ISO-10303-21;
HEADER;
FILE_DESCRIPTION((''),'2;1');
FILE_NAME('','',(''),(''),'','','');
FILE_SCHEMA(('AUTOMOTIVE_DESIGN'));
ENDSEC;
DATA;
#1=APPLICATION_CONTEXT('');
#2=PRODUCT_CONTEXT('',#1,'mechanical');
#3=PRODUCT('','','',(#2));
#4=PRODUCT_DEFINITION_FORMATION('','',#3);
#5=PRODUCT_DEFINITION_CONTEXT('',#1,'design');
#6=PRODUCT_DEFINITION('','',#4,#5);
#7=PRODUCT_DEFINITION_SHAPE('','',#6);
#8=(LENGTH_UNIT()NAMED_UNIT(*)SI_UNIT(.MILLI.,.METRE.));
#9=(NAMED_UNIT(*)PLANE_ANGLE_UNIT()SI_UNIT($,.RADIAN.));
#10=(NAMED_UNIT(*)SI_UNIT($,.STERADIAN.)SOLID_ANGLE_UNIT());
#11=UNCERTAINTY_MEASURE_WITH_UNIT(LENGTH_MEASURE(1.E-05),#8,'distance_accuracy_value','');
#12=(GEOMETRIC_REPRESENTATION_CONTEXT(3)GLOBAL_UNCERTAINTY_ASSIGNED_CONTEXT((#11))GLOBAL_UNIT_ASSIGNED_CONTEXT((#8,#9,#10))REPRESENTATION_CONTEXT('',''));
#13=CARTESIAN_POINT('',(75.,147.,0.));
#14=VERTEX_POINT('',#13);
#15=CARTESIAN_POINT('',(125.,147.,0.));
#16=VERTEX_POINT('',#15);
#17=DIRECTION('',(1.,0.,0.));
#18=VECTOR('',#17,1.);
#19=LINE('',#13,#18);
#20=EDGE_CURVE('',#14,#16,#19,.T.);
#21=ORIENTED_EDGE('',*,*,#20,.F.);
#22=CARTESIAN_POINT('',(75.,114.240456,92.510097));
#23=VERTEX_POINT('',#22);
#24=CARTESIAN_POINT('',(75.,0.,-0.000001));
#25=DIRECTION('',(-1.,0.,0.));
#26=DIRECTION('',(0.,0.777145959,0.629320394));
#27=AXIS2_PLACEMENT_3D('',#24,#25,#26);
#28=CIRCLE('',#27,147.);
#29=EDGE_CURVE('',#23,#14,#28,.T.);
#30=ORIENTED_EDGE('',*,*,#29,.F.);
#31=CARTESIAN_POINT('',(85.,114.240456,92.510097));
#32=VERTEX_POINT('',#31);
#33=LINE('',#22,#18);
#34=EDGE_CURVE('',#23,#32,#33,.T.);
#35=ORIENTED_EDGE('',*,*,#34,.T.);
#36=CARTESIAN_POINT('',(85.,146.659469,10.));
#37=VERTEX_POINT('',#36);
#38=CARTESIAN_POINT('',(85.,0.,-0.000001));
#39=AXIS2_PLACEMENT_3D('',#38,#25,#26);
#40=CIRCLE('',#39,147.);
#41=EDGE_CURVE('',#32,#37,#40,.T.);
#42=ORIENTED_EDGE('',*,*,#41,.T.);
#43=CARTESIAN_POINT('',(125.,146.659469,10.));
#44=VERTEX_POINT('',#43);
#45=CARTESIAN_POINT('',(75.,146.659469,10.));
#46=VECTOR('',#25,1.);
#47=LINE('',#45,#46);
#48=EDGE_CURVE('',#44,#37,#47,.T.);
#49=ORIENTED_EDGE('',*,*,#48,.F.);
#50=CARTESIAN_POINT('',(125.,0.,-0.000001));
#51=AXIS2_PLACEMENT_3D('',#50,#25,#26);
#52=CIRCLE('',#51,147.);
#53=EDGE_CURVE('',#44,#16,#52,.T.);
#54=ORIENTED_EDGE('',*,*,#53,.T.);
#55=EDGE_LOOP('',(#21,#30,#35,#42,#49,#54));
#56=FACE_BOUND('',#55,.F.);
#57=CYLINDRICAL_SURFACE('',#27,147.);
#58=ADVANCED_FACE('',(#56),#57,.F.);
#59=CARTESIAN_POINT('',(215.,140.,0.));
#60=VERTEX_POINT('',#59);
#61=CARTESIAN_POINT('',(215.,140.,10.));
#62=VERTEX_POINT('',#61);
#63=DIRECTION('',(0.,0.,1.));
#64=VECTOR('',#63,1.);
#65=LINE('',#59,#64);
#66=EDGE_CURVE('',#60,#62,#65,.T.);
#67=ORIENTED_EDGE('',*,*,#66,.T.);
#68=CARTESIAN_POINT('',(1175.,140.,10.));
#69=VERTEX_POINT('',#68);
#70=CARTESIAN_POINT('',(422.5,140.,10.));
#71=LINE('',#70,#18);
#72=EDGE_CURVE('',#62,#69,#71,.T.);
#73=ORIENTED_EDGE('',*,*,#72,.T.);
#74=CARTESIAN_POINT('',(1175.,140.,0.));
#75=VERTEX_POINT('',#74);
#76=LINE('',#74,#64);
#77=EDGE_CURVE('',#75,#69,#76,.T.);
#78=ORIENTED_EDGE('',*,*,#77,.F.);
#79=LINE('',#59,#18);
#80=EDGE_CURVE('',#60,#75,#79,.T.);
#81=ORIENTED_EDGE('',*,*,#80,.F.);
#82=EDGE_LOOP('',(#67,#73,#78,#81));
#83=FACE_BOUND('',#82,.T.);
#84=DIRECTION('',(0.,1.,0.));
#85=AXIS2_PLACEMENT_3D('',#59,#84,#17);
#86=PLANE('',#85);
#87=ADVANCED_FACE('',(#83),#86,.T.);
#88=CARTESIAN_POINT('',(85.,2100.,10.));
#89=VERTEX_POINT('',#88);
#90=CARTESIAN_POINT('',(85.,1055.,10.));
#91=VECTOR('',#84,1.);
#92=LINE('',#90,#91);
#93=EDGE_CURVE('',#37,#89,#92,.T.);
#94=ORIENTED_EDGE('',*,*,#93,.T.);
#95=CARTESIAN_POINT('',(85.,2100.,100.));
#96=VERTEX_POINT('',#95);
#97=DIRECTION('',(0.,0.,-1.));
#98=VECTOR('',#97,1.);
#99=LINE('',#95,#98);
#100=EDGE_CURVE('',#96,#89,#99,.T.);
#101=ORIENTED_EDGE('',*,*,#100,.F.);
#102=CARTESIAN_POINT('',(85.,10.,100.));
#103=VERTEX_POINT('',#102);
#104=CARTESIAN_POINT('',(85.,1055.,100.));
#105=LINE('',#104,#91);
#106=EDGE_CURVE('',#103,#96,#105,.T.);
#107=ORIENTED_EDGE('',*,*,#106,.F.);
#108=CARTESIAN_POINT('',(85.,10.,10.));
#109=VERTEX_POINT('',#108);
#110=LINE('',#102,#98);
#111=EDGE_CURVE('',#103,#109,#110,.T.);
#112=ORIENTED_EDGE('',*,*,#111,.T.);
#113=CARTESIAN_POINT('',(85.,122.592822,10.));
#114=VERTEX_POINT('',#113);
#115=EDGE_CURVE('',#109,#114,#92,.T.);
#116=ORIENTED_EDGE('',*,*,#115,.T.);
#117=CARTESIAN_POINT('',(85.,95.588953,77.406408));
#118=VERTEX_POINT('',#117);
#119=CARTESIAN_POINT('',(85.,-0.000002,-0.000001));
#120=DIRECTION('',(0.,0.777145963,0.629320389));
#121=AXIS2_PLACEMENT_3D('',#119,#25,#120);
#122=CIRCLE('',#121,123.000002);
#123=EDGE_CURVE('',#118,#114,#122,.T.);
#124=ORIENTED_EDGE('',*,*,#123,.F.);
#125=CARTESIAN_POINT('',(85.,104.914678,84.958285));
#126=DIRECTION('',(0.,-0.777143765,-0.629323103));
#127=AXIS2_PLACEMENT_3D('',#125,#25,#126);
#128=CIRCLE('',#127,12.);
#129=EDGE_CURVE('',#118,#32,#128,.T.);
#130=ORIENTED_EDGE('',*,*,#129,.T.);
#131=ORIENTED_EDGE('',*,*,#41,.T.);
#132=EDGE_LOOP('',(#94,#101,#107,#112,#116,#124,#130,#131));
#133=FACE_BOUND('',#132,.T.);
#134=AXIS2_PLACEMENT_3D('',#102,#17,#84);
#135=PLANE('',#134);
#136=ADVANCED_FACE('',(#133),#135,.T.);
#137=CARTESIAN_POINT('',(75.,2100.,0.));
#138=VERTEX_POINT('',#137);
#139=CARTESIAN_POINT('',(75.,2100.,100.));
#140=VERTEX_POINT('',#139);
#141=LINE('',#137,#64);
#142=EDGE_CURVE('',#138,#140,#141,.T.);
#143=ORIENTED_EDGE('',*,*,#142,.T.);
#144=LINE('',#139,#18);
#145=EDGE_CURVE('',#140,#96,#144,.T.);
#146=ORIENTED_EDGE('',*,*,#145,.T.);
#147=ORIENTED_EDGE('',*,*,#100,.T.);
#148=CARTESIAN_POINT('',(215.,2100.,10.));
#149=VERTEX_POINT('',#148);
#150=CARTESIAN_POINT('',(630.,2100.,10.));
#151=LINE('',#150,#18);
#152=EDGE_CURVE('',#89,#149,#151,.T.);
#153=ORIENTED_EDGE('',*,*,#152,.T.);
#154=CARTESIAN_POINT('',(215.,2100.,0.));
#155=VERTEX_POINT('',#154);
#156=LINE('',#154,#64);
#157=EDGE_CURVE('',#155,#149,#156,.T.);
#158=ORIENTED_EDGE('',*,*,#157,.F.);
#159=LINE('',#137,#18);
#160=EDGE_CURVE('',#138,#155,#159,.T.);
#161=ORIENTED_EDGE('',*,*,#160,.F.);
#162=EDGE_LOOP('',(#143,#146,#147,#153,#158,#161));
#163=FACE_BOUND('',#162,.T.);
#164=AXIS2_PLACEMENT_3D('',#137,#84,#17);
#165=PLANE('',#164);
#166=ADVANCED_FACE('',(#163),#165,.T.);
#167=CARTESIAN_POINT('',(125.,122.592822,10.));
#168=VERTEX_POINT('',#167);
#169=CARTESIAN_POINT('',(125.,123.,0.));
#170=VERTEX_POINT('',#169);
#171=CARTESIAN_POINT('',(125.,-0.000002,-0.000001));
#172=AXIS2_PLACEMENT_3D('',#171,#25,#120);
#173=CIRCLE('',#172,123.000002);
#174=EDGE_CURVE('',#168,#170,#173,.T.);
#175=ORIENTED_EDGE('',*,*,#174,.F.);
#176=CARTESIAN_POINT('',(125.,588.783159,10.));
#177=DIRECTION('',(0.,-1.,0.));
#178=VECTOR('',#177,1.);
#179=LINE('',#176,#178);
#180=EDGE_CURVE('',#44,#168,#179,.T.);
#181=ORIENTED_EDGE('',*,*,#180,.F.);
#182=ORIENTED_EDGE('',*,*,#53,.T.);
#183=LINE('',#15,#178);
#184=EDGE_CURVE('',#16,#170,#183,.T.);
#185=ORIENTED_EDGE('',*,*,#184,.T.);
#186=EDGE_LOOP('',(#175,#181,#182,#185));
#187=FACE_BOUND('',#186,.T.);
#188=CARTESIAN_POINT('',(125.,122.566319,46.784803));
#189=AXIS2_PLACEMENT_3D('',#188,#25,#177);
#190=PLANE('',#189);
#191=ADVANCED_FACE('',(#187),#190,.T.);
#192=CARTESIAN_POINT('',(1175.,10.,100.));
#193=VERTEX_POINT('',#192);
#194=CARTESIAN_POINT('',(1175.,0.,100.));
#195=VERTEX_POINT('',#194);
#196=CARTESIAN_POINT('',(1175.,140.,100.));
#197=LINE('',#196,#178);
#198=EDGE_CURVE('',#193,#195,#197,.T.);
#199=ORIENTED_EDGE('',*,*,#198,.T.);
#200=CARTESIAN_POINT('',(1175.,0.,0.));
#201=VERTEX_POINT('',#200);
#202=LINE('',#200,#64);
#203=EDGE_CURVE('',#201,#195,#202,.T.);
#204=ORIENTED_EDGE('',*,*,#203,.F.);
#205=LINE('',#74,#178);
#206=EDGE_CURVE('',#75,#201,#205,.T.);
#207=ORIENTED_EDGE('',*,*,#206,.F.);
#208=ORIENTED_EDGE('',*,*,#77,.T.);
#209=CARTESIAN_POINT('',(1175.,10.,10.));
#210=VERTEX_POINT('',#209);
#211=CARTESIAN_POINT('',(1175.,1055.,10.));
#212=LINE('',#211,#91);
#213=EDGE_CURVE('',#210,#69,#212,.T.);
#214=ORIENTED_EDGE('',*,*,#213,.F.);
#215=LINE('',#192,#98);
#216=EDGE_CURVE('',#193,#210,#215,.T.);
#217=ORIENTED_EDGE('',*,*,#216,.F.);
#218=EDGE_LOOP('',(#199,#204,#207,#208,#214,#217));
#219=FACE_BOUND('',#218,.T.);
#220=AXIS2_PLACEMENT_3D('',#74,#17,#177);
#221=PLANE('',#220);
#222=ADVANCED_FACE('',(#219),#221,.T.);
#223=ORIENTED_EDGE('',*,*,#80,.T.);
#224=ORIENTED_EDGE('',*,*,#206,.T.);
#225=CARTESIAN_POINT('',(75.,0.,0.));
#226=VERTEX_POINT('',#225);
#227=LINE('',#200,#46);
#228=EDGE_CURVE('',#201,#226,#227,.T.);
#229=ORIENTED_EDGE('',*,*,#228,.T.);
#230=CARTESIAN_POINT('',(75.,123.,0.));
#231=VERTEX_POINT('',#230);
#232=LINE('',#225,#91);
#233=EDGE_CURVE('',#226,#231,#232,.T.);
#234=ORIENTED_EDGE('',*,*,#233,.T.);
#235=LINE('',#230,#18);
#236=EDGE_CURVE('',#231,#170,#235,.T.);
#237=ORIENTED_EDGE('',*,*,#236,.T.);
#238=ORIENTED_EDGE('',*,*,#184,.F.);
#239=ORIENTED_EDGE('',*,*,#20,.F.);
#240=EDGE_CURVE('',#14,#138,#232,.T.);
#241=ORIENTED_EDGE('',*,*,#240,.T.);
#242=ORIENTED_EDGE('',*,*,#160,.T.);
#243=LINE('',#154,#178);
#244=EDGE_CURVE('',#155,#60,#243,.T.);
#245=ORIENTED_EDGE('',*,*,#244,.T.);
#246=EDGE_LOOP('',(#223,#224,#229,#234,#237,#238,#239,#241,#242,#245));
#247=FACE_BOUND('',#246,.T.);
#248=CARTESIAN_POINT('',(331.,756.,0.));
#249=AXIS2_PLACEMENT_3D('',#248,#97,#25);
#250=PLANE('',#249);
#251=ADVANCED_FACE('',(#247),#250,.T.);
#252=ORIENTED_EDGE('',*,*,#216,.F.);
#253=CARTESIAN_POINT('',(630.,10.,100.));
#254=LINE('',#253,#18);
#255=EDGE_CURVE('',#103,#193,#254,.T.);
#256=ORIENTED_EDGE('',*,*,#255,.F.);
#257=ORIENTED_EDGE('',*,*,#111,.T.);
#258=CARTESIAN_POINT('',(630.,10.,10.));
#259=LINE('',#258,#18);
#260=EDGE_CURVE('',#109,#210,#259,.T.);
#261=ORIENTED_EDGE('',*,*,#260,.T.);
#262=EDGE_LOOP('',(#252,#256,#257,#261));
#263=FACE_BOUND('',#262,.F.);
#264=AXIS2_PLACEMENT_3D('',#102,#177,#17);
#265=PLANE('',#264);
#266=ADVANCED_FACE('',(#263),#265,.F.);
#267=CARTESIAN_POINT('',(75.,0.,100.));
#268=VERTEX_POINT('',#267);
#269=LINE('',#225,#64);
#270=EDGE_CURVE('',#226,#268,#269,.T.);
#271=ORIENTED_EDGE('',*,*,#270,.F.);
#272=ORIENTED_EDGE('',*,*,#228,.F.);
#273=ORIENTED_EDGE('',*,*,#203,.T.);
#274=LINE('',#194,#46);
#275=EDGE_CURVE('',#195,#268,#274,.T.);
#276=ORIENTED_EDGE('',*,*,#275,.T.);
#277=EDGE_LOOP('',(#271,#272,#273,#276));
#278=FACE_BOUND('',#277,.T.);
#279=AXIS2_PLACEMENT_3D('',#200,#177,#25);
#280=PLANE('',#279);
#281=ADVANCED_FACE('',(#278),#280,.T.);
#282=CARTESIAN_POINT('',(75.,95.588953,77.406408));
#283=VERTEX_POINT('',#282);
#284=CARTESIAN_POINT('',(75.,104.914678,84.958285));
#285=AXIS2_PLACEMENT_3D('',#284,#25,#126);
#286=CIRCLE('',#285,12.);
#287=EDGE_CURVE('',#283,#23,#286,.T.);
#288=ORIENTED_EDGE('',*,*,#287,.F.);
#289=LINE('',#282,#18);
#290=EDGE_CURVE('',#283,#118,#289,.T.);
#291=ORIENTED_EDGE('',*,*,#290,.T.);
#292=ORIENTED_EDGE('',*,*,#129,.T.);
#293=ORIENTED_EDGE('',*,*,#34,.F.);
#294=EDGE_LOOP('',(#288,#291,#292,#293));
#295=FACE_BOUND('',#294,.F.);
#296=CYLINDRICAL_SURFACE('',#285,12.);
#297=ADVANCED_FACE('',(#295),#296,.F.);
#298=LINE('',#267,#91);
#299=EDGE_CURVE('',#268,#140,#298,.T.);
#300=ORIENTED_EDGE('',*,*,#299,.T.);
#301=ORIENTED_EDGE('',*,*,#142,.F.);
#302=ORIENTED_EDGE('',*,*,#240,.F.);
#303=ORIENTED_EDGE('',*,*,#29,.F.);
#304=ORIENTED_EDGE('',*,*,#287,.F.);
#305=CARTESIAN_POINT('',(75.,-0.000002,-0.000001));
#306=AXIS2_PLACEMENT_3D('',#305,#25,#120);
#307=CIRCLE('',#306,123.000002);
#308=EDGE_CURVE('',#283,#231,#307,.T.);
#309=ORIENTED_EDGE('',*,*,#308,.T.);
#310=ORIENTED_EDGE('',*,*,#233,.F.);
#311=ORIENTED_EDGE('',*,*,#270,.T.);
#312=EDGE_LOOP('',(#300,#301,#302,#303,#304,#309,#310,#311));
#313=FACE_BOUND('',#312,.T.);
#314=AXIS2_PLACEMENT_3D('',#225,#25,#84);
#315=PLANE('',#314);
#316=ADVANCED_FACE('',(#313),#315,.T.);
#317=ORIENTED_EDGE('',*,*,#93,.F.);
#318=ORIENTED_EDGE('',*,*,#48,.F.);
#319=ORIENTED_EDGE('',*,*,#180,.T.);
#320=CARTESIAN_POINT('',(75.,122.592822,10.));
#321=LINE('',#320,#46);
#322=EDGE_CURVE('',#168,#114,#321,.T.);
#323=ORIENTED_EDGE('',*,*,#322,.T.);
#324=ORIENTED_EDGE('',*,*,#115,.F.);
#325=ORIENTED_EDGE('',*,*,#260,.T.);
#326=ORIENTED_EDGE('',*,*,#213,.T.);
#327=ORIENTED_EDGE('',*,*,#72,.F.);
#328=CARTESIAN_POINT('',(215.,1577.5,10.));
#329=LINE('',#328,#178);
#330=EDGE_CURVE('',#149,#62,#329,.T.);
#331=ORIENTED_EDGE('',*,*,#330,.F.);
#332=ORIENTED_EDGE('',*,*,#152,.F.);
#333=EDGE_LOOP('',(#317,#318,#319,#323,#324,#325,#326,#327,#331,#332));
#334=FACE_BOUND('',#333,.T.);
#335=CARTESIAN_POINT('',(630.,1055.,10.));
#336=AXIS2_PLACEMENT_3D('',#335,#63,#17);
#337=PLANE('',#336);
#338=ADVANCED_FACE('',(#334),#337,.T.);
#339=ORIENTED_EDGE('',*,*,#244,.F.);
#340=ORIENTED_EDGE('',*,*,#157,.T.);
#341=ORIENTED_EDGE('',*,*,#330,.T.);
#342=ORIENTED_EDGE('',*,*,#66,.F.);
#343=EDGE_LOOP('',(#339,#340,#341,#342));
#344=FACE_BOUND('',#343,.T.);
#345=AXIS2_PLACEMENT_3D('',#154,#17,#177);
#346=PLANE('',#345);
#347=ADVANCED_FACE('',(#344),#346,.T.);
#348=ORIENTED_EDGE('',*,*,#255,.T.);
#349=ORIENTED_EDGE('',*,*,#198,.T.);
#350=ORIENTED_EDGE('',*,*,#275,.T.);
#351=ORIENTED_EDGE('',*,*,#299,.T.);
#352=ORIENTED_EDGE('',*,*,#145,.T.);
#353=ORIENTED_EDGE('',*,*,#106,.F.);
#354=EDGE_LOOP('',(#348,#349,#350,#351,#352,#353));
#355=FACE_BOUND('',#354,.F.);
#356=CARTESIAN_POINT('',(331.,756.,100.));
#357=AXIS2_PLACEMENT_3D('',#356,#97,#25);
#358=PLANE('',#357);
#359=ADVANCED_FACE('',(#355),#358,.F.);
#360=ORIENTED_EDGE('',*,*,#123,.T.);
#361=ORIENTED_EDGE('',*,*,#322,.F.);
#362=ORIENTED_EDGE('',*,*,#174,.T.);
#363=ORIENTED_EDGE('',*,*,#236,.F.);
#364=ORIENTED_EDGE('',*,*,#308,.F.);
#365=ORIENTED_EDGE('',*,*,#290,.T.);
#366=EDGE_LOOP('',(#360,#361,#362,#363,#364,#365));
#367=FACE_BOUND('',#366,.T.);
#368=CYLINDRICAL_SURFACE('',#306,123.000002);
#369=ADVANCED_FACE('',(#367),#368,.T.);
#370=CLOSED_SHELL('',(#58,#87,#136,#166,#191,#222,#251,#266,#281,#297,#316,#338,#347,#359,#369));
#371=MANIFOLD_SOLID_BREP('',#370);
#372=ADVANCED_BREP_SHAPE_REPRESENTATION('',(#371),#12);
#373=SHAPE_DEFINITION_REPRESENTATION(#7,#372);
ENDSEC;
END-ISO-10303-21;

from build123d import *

# Parameters (mm, degrees)
PAD_DEPTH       = 100
SKETCH001_W     = 1090
SKETCH001_H     = 2090
POCKET_DEPTH    = 90
POCKET001_DEPTH = 50


with BuildPart() as part:
    # Sketch → Pad (new body)
    with BuildSketch(Plane.XY):
        Polygon((75, 0), (75, 2100), (215, 2100), (215, 140), (1175, 140), (1175, 0), align=None)
    extrude(amount=PAD_DEPTH)

    # Sketch001 (on Face8 of Pad) → Pocket (cut)
    with BuildSketch(Plane.XY.offset(100)):
        with Locations((630, 1055)):
            Rectangle(SKETCH001_W, SKETCH001_H)
    extrude(amount=-POCKET_DEPTH, mode=Mode.SUBTRACT)

    # Sketch002 (on Face1 of Pocket) → Pocket001 (cut)
    with BuildSketch(Plane(origin=(75, 0, 0), x_dir=(0, -1, 0), z_dir=(-1, 0, 0))):
        with BuildLine():
            ThreePointArc((-95.588953, 77.406408), (-97.362834, 94.284037), (-114.240456, 92.510097))
            ThreePointArc((-114.240456, 92.510097), (-138.568299, 49.069608), (-147, 0))
            Line((-147, 0), (-123, 0))
            ThreePointArc((-95.588953, 77.406408), (-115.944903, 41.058244), (-123, 0))
        make_face()
    extrude(amount=-POCKET001_DEPTH, mode=Mode.SUBTRACT)


solid = part.part
